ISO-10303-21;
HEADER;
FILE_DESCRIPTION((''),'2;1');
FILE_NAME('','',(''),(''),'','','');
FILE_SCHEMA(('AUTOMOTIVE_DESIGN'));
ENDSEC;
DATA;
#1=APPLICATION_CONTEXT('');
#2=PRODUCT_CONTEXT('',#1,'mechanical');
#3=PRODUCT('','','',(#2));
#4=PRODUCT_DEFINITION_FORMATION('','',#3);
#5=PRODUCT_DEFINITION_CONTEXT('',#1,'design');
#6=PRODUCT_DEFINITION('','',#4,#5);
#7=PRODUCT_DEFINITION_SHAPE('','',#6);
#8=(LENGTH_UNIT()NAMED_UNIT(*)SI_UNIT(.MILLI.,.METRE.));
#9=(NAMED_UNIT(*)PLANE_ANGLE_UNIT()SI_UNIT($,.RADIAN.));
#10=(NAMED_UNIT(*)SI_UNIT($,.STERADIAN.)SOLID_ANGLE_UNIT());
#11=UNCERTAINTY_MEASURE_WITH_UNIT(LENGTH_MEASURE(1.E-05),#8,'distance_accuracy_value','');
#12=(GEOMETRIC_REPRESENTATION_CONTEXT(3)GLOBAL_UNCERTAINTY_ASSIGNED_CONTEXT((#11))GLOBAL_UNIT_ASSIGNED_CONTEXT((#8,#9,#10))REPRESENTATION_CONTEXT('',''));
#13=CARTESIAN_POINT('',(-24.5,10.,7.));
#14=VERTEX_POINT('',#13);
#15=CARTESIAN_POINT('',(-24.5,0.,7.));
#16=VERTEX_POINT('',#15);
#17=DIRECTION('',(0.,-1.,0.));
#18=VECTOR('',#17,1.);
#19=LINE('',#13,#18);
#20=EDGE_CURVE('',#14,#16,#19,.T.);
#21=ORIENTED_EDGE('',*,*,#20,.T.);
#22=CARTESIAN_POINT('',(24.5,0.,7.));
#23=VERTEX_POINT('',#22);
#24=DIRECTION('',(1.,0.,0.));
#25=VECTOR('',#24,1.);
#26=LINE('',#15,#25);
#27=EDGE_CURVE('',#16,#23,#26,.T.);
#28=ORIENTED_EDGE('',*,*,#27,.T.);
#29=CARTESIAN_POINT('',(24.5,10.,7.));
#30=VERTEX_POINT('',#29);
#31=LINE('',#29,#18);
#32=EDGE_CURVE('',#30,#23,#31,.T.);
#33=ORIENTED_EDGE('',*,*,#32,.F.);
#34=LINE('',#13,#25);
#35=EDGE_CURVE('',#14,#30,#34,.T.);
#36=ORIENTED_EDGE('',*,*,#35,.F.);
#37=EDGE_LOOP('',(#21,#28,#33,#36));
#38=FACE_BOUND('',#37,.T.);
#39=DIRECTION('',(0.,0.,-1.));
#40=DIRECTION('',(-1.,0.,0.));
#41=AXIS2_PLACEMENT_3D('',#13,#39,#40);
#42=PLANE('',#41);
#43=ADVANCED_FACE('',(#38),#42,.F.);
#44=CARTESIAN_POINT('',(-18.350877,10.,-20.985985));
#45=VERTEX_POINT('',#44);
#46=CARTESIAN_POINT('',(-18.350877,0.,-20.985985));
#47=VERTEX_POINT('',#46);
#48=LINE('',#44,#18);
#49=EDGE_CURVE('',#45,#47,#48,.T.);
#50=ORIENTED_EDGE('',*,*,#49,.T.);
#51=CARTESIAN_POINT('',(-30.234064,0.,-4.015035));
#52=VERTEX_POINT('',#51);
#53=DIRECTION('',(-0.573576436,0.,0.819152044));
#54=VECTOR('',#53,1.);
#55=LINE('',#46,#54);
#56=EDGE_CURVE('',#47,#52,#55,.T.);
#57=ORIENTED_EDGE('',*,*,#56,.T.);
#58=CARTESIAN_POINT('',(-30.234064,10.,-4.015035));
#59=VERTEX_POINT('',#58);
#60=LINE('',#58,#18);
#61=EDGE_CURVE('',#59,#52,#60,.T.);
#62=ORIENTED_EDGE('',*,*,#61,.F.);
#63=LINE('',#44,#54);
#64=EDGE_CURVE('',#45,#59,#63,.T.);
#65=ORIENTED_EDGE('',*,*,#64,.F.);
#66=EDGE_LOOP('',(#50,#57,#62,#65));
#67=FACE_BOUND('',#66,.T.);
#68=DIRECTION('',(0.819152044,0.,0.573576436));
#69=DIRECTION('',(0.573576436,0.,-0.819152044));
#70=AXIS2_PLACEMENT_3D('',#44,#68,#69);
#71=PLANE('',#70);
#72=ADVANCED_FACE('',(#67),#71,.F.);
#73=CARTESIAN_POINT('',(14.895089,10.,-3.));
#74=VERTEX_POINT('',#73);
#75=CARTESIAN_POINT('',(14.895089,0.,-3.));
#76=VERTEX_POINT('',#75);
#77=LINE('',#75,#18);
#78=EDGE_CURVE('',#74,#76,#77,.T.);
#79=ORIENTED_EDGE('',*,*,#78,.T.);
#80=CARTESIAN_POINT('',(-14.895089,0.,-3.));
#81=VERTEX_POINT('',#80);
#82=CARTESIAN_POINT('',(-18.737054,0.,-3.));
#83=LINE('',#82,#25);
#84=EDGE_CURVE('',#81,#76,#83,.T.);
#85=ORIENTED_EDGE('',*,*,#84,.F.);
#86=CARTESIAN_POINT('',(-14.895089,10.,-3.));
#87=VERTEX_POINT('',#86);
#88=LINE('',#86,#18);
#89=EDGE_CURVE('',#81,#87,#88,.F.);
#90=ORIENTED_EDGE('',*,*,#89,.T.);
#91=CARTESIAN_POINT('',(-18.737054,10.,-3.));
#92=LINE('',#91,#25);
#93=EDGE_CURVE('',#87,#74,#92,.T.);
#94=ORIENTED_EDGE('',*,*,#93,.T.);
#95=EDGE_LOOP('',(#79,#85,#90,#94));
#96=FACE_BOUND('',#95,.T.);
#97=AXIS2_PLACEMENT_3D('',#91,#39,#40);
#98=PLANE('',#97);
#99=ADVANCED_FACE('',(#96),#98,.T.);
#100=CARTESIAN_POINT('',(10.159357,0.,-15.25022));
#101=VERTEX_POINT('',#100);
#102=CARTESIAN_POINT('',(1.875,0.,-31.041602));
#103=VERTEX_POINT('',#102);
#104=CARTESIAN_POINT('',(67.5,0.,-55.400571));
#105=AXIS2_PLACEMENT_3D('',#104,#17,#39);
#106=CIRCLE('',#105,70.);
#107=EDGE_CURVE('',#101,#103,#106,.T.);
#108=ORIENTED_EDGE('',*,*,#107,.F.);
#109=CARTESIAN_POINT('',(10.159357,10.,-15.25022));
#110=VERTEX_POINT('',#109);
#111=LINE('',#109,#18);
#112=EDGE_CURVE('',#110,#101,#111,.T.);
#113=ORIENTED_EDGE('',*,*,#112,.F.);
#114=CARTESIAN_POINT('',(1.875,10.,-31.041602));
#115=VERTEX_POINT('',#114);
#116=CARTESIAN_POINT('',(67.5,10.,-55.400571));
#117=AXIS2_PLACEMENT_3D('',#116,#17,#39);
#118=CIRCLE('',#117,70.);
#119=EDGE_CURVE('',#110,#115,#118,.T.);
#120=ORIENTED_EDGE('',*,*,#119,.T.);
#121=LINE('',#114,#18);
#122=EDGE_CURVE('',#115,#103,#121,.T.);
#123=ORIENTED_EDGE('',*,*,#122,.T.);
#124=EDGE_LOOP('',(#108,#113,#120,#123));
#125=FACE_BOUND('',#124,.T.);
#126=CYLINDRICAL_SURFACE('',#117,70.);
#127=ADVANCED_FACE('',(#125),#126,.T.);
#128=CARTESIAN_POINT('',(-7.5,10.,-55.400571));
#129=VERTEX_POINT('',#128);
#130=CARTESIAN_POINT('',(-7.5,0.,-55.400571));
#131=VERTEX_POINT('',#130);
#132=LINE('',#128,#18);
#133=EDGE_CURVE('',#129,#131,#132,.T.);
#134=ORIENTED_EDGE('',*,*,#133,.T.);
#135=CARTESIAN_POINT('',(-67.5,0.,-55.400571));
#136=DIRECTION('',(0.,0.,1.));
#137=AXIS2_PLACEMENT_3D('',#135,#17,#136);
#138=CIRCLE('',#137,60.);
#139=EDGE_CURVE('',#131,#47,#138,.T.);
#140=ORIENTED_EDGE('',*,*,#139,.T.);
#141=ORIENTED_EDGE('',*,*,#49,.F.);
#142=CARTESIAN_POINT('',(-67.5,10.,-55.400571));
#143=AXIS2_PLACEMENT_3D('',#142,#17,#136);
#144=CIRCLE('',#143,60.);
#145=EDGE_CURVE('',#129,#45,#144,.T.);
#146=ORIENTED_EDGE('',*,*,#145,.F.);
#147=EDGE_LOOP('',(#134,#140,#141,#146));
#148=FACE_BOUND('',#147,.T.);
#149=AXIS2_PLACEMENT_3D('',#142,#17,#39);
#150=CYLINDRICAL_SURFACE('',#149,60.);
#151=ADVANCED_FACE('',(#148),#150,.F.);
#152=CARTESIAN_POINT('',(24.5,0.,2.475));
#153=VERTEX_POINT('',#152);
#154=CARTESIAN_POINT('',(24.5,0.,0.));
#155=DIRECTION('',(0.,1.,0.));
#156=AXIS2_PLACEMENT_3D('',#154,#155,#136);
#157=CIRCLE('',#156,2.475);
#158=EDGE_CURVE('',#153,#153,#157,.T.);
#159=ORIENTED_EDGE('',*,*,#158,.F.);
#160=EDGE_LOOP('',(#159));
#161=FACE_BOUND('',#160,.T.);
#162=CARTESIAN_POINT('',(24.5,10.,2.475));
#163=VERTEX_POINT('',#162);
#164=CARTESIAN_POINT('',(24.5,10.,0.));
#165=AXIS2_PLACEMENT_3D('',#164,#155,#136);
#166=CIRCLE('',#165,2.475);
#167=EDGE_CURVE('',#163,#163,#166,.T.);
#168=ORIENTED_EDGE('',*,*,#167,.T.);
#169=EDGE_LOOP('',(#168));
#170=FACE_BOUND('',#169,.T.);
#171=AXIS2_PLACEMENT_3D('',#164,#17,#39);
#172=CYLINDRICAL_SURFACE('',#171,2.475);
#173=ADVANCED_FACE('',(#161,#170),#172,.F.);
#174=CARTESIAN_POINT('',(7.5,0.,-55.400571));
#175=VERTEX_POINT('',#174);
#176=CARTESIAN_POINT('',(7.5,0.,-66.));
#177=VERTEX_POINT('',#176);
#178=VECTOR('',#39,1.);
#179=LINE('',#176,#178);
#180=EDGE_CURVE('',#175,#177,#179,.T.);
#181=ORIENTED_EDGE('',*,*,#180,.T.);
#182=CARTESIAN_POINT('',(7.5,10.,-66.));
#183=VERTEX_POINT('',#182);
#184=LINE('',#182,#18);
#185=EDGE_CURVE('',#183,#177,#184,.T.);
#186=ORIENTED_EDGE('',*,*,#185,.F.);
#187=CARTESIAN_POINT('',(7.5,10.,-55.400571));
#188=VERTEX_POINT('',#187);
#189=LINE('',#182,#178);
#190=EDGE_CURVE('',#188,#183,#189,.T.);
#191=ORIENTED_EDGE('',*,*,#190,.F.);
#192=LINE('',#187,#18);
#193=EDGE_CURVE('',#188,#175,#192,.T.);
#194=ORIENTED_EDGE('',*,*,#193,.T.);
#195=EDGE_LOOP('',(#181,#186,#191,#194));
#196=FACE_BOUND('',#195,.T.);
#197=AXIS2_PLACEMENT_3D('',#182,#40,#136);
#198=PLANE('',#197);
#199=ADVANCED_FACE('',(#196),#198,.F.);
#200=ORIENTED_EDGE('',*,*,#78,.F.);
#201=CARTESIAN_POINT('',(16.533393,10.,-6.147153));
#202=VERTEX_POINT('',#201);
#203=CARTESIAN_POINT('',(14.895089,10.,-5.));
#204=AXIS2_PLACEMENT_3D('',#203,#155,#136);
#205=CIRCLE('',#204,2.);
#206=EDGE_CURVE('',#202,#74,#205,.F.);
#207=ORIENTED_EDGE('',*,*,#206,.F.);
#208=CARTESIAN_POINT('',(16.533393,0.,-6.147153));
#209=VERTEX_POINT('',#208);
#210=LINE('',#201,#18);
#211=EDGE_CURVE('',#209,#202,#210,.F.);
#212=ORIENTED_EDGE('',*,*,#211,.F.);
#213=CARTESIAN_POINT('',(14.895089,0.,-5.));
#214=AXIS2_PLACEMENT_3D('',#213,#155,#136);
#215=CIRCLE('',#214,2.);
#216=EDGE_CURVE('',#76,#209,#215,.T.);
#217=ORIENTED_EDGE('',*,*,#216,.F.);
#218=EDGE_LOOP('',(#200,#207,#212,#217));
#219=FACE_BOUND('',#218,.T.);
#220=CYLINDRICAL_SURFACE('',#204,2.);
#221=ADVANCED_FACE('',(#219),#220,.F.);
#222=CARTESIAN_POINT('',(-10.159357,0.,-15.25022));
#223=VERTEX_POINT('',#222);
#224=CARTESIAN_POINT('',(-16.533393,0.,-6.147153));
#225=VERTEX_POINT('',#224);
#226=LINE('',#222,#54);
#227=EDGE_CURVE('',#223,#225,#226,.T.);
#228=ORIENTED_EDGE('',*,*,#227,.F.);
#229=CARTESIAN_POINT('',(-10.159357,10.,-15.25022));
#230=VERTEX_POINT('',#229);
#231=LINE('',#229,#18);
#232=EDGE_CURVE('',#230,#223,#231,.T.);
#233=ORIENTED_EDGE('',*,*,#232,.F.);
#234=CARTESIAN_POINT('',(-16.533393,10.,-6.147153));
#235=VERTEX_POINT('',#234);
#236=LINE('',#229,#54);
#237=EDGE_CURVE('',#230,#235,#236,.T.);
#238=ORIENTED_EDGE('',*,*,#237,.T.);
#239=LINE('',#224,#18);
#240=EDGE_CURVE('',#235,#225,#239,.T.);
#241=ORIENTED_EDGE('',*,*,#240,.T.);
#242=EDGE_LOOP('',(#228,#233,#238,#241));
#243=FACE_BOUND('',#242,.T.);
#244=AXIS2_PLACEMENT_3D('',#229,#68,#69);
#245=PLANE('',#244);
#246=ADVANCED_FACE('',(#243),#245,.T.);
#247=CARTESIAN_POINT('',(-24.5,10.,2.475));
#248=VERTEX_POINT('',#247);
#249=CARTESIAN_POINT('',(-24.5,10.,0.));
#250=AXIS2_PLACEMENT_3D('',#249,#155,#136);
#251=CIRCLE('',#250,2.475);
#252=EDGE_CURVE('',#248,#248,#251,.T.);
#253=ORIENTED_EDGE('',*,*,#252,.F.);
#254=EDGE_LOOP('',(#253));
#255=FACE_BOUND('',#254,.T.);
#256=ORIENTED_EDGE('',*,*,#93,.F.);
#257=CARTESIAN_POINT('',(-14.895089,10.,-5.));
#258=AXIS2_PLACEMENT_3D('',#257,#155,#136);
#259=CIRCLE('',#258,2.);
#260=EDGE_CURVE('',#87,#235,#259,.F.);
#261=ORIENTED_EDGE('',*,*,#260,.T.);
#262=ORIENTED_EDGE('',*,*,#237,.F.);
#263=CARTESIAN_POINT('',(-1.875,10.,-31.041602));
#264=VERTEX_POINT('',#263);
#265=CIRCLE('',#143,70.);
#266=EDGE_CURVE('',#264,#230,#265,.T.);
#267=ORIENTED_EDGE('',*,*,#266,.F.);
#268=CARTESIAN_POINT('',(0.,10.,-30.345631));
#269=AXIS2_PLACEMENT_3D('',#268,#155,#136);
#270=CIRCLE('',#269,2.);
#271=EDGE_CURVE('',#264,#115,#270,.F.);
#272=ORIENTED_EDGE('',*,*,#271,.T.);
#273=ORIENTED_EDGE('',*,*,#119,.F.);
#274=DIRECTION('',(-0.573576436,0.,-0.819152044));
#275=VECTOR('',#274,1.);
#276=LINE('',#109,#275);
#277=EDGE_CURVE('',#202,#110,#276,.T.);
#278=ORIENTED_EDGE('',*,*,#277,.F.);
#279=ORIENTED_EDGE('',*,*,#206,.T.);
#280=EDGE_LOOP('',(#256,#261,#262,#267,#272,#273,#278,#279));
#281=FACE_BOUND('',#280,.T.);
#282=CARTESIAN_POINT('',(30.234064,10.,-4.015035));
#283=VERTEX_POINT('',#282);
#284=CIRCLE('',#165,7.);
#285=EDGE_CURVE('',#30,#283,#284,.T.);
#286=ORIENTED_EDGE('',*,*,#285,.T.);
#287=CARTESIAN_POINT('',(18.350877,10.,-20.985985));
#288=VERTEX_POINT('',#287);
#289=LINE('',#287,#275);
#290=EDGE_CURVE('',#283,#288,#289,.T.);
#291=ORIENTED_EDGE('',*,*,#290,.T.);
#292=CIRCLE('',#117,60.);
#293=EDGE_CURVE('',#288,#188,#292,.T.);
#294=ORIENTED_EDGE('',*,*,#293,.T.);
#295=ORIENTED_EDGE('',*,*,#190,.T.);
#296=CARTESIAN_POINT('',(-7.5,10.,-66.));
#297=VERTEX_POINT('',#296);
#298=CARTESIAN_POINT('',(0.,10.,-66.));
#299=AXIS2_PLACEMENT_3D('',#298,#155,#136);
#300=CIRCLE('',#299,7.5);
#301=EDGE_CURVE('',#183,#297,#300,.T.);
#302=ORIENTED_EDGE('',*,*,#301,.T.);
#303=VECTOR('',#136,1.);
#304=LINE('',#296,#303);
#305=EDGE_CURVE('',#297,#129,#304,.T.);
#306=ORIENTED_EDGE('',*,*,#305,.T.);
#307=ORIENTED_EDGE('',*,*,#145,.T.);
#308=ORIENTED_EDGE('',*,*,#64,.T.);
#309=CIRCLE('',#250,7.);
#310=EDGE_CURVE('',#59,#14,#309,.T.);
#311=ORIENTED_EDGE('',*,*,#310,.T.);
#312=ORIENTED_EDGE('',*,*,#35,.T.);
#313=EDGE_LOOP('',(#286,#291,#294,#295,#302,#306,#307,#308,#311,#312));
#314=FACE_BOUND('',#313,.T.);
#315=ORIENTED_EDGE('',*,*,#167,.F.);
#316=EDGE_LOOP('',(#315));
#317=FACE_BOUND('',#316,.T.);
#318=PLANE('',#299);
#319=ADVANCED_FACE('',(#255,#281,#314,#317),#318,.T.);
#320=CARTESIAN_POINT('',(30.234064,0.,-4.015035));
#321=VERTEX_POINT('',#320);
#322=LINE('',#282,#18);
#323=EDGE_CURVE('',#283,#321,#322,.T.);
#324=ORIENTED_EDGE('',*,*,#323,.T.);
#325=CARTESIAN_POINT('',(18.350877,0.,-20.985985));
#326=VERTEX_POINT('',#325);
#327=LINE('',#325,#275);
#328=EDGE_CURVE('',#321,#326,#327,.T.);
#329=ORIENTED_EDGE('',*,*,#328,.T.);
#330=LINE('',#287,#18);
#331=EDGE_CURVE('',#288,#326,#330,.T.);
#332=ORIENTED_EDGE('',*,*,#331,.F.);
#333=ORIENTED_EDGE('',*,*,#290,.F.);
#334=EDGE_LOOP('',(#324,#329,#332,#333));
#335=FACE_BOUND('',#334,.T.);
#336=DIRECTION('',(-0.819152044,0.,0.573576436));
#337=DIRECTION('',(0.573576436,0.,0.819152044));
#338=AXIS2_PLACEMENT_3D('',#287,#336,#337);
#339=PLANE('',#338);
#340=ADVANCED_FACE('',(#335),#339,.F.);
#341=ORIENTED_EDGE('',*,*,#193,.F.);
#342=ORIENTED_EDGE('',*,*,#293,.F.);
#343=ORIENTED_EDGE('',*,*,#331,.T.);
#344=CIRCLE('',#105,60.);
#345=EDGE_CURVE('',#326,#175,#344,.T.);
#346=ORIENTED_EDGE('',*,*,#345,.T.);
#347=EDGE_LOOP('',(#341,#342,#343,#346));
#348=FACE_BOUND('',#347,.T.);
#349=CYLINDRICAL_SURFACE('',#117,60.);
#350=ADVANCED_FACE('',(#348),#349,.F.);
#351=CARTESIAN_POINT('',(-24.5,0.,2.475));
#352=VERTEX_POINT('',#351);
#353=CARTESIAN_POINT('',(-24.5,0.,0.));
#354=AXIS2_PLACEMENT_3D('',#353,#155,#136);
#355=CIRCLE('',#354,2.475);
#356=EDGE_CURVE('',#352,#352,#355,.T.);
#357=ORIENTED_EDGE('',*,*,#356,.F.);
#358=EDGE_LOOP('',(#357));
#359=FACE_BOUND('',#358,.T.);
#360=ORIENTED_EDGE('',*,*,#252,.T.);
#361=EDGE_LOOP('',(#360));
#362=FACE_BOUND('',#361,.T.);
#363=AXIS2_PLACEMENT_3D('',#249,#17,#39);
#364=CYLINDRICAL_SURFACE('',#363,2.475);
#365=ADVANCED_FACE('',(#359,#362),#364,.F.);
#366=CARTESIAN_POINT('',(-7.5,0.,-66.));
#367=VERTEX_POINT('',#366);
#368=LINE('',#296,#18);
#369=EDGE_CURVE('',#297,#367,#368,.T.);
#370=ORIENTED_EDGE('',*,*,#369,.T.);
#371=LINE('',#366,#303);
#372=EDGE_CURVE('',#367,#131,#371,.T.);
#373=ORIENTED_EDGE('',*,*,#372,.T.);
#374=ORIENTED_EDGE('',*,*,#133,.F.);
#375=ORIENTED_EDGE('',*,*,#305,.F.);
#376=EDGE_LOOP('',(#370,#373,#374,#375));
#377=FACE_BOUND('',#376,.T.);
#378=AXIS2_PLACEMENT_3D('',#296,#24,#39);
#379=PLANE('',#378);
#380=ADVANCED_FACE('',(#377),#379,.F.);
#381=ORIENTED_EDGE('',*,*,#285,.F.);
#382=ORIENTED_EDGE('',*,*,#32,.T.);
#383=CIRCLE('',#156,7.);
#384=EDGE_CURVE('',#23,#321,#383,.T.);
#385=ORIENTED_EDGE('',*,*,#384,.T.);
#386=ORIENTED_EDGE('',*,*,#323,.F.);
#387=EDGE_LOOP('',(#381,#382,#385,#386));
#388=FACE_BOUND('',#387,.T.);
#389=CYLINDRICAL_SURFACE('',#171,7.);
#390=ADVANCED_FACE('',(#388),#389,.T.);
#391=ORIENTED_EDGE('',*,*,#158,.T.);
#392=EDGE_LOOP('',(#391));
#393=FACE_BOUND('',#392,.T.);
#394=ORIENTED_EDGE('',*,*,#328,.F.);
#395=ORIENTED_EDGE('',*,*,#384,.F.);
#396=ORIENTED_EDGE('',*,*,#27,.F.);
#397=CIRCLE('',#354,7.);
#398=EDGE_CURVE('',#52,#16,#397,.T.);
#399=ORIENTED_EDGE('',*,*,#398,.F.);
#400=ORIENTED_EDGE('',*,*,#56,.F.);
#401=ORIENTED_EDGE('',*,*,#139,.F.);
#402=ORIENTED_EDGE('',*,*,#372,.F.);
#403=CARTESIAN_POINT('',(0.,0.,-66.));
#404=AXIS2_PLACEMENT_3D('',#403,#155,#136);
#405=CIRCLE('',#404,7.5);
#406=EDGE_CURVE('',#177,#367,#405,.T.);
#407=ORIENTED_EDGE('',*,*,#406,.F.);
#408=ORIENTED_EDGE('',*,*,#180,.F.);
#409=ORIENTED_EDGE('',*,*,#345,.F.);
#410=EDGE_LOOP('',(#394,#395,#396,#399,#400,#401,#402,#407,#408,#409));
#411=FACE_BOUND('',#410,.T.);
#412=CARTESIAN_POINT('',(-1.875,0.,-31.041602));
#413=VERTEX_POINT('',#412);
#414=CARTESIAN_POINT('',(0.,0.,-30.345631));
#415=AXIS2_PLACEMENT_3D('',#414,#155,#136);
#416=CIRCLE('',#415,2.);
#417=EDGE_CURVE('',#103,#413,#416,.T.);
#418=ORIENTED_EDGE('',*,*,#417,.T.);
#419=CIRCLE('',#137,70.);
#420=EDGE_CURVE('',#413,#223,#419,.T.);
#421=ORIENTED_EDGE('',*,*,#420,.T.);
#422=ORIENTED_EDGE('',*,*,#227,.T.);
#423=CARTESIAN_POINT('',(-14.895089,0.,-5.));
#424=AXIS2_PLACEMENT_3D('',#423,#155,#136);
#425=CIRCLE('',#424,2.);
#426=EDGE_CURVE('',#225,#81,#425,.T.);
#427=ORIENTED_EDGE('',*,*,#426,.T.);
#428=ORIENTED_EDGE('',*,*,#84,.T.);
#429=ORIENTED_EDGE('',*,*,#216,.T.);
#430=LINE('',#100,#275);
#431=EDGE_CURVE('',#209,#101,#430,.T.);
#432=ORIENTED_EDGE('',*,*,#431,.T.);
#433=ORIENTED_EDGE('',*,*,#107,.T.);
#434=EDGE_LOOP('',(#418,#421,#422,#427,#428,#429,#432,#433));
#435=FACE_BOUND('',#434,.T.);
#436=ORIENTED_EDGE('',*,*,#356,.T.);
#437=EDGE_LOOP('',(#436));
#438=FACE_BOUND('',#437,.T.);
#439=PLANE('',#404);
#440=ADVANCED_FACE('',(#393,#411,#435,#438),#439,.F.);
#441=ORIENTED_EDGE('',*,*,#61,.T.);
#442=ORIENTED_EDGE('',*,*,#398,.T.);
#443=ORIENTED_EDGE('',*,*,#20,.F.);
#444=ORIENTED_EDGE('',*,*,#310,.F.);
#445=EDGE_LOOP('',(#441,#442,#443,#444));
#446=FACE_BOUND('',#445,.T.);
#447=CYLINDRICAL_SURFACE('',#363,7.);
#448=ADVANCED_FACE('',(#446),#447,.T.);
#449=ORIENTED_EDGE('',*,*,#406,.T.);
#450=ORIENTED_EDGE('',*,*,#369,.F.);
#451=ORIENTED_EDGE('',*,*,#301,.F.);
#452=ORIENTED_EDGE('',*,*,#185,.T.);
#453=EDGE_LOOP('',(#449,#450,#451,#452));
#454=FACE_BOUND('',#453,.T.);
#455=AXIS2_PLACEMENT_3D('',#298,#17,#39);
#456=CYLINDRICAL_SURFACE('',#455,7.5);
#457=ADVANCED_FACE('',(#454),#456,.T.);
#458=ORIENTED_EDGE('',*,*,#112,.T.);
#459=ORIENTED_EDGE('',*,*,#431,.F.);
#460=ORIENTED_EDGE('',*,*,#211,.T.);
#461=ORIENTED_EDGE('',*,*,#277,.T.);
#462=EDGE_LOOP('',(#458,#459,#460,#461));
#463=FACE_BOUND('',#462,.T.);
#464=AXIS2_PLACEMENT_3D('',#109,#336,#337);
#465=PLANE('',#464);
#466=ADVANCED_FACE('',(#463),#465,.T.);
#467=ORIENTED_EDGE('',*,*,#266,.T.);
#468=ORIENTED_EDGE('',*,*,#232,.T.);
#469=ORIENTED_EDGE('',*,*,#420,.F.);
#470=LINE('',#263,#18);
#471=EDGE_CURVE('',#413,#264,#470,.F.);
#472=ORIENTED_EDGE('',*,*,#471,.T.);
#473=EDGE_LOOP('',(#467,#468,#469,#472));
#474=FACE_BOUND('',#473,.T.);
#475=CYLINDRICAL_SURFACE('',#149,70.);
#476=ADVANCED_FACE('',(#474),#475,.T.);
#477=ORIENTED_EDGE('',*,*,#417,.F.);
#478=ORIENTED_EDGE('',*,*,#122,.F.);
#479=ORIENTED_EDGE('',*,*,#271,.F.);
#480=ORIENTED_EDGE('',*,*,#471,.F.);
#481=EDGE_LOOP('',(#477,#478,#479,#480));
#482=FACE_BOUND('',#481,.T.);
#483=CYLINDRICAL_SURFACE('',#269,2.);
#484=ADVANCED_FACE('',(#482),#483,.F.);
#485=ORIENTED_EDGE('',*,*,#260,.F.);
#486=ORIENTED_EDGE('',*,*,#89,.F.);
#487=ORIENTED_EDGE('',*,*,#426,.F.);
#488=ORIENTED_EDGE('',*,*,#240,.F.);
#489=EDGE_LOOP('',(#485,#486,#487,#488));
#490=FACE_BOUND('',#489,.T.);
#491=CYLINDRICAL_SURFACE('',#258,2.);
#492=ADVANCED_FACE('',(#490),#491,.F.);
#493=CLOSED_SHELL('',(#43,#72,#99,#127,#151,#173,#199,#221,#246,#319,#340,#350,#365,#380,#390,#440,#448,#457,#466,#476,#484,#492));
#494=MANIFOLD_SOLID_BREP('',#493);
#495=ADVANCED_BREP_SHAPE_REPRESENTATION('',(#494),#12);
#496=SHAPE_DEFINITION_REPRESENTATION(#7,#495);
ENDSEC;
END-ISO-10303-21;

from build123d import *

# Parameters (mm, degrees)
SKETCH_1_R      = 2.475
EXTRUDE_1_DEPTH = 10
FILLET_1_R      = 2


with BuildPart() as part:
    # Эскиз1 → Бобышка-Вытянуть1 (new body)
    with BuildSketch(Plane(origin=(0, 0, 0), x_dir=(1, 0, 0), z_dir=(0, 1, 0))):
        with BuildLine():
            Line((-7.5, 66), (-7.5, 55.400571017))
            ThreePointArc((-7.5, 55.400571017), (-10.276982955, 37.358223046), (-18.350877343, 20.985984836))
            Line((-18.350877343, 20.985984836), (-30.23406431, 4.015035054))
            ThreePointArc((-30.23406431, 4.015035054), (-30.709075832, -3.232240293), (-24.5, -7))
            Line((-24.5, -7), (24.5, -7))
            ThreePointArc((24.5, -7), (30.709075832, -3.232240293), (30.23406431, 4.015035054))
            Line((30.23406431, 4.015035054), (18.350877343, 20.985984836))
            ThreePointArc((18.350877343, 20.985984836), (10.276982955, 37.358223046), (7.5, 55.400571017))
            Line((7.5, 55.400571017), (7.5, 66))
            ThreePointArc((7.5, 66), (0, 73.5), (-7.5, 66))
        make_face()
        with Locations(Location((-24.5, 0, 0), (0, 0, 270))):
            Circle(SKETCH_1_R, mode=Mode.SUBTRACT)
        with Locations(Location((24.5, 0, 0), (0, 0, 270))):
            Circle(SKETCH_1_R, mode=Mode.SUBTRACT)
        with BuildLine():
            Line((10.1593569, 15.250220472), (18.737053619, 3))
            Line((18.737053619, 3), (-18.737053619, 3))
            Line((-18.737053619, 3), (-10.1593569, 15.250220472))
            ThreePointArc((-10.1593569, 15.250220472), (-4.1514168, 25.618747591), (0, 36.860074799))
            ThreePointArc((0, 36.860074799), (4.1514168, 25.618747591), (10.1593569, 15.250220472))
        make_face(mode=Mode.SUBTRACT)
    extrude(amount=EXTRUDE_1_DEPTH)

    # Скругление1
    fillet_1_edges = [part.edges().sort_by_distance(p)[0] for p in [
        (0, 5, -36.860074799),
        (-18.737053619, 5, -3),
        (18.737053619, 5, -3),
    ]]
    fillet(fillet_1_edges, radius=FILLET_1_R)


solid = part.part
